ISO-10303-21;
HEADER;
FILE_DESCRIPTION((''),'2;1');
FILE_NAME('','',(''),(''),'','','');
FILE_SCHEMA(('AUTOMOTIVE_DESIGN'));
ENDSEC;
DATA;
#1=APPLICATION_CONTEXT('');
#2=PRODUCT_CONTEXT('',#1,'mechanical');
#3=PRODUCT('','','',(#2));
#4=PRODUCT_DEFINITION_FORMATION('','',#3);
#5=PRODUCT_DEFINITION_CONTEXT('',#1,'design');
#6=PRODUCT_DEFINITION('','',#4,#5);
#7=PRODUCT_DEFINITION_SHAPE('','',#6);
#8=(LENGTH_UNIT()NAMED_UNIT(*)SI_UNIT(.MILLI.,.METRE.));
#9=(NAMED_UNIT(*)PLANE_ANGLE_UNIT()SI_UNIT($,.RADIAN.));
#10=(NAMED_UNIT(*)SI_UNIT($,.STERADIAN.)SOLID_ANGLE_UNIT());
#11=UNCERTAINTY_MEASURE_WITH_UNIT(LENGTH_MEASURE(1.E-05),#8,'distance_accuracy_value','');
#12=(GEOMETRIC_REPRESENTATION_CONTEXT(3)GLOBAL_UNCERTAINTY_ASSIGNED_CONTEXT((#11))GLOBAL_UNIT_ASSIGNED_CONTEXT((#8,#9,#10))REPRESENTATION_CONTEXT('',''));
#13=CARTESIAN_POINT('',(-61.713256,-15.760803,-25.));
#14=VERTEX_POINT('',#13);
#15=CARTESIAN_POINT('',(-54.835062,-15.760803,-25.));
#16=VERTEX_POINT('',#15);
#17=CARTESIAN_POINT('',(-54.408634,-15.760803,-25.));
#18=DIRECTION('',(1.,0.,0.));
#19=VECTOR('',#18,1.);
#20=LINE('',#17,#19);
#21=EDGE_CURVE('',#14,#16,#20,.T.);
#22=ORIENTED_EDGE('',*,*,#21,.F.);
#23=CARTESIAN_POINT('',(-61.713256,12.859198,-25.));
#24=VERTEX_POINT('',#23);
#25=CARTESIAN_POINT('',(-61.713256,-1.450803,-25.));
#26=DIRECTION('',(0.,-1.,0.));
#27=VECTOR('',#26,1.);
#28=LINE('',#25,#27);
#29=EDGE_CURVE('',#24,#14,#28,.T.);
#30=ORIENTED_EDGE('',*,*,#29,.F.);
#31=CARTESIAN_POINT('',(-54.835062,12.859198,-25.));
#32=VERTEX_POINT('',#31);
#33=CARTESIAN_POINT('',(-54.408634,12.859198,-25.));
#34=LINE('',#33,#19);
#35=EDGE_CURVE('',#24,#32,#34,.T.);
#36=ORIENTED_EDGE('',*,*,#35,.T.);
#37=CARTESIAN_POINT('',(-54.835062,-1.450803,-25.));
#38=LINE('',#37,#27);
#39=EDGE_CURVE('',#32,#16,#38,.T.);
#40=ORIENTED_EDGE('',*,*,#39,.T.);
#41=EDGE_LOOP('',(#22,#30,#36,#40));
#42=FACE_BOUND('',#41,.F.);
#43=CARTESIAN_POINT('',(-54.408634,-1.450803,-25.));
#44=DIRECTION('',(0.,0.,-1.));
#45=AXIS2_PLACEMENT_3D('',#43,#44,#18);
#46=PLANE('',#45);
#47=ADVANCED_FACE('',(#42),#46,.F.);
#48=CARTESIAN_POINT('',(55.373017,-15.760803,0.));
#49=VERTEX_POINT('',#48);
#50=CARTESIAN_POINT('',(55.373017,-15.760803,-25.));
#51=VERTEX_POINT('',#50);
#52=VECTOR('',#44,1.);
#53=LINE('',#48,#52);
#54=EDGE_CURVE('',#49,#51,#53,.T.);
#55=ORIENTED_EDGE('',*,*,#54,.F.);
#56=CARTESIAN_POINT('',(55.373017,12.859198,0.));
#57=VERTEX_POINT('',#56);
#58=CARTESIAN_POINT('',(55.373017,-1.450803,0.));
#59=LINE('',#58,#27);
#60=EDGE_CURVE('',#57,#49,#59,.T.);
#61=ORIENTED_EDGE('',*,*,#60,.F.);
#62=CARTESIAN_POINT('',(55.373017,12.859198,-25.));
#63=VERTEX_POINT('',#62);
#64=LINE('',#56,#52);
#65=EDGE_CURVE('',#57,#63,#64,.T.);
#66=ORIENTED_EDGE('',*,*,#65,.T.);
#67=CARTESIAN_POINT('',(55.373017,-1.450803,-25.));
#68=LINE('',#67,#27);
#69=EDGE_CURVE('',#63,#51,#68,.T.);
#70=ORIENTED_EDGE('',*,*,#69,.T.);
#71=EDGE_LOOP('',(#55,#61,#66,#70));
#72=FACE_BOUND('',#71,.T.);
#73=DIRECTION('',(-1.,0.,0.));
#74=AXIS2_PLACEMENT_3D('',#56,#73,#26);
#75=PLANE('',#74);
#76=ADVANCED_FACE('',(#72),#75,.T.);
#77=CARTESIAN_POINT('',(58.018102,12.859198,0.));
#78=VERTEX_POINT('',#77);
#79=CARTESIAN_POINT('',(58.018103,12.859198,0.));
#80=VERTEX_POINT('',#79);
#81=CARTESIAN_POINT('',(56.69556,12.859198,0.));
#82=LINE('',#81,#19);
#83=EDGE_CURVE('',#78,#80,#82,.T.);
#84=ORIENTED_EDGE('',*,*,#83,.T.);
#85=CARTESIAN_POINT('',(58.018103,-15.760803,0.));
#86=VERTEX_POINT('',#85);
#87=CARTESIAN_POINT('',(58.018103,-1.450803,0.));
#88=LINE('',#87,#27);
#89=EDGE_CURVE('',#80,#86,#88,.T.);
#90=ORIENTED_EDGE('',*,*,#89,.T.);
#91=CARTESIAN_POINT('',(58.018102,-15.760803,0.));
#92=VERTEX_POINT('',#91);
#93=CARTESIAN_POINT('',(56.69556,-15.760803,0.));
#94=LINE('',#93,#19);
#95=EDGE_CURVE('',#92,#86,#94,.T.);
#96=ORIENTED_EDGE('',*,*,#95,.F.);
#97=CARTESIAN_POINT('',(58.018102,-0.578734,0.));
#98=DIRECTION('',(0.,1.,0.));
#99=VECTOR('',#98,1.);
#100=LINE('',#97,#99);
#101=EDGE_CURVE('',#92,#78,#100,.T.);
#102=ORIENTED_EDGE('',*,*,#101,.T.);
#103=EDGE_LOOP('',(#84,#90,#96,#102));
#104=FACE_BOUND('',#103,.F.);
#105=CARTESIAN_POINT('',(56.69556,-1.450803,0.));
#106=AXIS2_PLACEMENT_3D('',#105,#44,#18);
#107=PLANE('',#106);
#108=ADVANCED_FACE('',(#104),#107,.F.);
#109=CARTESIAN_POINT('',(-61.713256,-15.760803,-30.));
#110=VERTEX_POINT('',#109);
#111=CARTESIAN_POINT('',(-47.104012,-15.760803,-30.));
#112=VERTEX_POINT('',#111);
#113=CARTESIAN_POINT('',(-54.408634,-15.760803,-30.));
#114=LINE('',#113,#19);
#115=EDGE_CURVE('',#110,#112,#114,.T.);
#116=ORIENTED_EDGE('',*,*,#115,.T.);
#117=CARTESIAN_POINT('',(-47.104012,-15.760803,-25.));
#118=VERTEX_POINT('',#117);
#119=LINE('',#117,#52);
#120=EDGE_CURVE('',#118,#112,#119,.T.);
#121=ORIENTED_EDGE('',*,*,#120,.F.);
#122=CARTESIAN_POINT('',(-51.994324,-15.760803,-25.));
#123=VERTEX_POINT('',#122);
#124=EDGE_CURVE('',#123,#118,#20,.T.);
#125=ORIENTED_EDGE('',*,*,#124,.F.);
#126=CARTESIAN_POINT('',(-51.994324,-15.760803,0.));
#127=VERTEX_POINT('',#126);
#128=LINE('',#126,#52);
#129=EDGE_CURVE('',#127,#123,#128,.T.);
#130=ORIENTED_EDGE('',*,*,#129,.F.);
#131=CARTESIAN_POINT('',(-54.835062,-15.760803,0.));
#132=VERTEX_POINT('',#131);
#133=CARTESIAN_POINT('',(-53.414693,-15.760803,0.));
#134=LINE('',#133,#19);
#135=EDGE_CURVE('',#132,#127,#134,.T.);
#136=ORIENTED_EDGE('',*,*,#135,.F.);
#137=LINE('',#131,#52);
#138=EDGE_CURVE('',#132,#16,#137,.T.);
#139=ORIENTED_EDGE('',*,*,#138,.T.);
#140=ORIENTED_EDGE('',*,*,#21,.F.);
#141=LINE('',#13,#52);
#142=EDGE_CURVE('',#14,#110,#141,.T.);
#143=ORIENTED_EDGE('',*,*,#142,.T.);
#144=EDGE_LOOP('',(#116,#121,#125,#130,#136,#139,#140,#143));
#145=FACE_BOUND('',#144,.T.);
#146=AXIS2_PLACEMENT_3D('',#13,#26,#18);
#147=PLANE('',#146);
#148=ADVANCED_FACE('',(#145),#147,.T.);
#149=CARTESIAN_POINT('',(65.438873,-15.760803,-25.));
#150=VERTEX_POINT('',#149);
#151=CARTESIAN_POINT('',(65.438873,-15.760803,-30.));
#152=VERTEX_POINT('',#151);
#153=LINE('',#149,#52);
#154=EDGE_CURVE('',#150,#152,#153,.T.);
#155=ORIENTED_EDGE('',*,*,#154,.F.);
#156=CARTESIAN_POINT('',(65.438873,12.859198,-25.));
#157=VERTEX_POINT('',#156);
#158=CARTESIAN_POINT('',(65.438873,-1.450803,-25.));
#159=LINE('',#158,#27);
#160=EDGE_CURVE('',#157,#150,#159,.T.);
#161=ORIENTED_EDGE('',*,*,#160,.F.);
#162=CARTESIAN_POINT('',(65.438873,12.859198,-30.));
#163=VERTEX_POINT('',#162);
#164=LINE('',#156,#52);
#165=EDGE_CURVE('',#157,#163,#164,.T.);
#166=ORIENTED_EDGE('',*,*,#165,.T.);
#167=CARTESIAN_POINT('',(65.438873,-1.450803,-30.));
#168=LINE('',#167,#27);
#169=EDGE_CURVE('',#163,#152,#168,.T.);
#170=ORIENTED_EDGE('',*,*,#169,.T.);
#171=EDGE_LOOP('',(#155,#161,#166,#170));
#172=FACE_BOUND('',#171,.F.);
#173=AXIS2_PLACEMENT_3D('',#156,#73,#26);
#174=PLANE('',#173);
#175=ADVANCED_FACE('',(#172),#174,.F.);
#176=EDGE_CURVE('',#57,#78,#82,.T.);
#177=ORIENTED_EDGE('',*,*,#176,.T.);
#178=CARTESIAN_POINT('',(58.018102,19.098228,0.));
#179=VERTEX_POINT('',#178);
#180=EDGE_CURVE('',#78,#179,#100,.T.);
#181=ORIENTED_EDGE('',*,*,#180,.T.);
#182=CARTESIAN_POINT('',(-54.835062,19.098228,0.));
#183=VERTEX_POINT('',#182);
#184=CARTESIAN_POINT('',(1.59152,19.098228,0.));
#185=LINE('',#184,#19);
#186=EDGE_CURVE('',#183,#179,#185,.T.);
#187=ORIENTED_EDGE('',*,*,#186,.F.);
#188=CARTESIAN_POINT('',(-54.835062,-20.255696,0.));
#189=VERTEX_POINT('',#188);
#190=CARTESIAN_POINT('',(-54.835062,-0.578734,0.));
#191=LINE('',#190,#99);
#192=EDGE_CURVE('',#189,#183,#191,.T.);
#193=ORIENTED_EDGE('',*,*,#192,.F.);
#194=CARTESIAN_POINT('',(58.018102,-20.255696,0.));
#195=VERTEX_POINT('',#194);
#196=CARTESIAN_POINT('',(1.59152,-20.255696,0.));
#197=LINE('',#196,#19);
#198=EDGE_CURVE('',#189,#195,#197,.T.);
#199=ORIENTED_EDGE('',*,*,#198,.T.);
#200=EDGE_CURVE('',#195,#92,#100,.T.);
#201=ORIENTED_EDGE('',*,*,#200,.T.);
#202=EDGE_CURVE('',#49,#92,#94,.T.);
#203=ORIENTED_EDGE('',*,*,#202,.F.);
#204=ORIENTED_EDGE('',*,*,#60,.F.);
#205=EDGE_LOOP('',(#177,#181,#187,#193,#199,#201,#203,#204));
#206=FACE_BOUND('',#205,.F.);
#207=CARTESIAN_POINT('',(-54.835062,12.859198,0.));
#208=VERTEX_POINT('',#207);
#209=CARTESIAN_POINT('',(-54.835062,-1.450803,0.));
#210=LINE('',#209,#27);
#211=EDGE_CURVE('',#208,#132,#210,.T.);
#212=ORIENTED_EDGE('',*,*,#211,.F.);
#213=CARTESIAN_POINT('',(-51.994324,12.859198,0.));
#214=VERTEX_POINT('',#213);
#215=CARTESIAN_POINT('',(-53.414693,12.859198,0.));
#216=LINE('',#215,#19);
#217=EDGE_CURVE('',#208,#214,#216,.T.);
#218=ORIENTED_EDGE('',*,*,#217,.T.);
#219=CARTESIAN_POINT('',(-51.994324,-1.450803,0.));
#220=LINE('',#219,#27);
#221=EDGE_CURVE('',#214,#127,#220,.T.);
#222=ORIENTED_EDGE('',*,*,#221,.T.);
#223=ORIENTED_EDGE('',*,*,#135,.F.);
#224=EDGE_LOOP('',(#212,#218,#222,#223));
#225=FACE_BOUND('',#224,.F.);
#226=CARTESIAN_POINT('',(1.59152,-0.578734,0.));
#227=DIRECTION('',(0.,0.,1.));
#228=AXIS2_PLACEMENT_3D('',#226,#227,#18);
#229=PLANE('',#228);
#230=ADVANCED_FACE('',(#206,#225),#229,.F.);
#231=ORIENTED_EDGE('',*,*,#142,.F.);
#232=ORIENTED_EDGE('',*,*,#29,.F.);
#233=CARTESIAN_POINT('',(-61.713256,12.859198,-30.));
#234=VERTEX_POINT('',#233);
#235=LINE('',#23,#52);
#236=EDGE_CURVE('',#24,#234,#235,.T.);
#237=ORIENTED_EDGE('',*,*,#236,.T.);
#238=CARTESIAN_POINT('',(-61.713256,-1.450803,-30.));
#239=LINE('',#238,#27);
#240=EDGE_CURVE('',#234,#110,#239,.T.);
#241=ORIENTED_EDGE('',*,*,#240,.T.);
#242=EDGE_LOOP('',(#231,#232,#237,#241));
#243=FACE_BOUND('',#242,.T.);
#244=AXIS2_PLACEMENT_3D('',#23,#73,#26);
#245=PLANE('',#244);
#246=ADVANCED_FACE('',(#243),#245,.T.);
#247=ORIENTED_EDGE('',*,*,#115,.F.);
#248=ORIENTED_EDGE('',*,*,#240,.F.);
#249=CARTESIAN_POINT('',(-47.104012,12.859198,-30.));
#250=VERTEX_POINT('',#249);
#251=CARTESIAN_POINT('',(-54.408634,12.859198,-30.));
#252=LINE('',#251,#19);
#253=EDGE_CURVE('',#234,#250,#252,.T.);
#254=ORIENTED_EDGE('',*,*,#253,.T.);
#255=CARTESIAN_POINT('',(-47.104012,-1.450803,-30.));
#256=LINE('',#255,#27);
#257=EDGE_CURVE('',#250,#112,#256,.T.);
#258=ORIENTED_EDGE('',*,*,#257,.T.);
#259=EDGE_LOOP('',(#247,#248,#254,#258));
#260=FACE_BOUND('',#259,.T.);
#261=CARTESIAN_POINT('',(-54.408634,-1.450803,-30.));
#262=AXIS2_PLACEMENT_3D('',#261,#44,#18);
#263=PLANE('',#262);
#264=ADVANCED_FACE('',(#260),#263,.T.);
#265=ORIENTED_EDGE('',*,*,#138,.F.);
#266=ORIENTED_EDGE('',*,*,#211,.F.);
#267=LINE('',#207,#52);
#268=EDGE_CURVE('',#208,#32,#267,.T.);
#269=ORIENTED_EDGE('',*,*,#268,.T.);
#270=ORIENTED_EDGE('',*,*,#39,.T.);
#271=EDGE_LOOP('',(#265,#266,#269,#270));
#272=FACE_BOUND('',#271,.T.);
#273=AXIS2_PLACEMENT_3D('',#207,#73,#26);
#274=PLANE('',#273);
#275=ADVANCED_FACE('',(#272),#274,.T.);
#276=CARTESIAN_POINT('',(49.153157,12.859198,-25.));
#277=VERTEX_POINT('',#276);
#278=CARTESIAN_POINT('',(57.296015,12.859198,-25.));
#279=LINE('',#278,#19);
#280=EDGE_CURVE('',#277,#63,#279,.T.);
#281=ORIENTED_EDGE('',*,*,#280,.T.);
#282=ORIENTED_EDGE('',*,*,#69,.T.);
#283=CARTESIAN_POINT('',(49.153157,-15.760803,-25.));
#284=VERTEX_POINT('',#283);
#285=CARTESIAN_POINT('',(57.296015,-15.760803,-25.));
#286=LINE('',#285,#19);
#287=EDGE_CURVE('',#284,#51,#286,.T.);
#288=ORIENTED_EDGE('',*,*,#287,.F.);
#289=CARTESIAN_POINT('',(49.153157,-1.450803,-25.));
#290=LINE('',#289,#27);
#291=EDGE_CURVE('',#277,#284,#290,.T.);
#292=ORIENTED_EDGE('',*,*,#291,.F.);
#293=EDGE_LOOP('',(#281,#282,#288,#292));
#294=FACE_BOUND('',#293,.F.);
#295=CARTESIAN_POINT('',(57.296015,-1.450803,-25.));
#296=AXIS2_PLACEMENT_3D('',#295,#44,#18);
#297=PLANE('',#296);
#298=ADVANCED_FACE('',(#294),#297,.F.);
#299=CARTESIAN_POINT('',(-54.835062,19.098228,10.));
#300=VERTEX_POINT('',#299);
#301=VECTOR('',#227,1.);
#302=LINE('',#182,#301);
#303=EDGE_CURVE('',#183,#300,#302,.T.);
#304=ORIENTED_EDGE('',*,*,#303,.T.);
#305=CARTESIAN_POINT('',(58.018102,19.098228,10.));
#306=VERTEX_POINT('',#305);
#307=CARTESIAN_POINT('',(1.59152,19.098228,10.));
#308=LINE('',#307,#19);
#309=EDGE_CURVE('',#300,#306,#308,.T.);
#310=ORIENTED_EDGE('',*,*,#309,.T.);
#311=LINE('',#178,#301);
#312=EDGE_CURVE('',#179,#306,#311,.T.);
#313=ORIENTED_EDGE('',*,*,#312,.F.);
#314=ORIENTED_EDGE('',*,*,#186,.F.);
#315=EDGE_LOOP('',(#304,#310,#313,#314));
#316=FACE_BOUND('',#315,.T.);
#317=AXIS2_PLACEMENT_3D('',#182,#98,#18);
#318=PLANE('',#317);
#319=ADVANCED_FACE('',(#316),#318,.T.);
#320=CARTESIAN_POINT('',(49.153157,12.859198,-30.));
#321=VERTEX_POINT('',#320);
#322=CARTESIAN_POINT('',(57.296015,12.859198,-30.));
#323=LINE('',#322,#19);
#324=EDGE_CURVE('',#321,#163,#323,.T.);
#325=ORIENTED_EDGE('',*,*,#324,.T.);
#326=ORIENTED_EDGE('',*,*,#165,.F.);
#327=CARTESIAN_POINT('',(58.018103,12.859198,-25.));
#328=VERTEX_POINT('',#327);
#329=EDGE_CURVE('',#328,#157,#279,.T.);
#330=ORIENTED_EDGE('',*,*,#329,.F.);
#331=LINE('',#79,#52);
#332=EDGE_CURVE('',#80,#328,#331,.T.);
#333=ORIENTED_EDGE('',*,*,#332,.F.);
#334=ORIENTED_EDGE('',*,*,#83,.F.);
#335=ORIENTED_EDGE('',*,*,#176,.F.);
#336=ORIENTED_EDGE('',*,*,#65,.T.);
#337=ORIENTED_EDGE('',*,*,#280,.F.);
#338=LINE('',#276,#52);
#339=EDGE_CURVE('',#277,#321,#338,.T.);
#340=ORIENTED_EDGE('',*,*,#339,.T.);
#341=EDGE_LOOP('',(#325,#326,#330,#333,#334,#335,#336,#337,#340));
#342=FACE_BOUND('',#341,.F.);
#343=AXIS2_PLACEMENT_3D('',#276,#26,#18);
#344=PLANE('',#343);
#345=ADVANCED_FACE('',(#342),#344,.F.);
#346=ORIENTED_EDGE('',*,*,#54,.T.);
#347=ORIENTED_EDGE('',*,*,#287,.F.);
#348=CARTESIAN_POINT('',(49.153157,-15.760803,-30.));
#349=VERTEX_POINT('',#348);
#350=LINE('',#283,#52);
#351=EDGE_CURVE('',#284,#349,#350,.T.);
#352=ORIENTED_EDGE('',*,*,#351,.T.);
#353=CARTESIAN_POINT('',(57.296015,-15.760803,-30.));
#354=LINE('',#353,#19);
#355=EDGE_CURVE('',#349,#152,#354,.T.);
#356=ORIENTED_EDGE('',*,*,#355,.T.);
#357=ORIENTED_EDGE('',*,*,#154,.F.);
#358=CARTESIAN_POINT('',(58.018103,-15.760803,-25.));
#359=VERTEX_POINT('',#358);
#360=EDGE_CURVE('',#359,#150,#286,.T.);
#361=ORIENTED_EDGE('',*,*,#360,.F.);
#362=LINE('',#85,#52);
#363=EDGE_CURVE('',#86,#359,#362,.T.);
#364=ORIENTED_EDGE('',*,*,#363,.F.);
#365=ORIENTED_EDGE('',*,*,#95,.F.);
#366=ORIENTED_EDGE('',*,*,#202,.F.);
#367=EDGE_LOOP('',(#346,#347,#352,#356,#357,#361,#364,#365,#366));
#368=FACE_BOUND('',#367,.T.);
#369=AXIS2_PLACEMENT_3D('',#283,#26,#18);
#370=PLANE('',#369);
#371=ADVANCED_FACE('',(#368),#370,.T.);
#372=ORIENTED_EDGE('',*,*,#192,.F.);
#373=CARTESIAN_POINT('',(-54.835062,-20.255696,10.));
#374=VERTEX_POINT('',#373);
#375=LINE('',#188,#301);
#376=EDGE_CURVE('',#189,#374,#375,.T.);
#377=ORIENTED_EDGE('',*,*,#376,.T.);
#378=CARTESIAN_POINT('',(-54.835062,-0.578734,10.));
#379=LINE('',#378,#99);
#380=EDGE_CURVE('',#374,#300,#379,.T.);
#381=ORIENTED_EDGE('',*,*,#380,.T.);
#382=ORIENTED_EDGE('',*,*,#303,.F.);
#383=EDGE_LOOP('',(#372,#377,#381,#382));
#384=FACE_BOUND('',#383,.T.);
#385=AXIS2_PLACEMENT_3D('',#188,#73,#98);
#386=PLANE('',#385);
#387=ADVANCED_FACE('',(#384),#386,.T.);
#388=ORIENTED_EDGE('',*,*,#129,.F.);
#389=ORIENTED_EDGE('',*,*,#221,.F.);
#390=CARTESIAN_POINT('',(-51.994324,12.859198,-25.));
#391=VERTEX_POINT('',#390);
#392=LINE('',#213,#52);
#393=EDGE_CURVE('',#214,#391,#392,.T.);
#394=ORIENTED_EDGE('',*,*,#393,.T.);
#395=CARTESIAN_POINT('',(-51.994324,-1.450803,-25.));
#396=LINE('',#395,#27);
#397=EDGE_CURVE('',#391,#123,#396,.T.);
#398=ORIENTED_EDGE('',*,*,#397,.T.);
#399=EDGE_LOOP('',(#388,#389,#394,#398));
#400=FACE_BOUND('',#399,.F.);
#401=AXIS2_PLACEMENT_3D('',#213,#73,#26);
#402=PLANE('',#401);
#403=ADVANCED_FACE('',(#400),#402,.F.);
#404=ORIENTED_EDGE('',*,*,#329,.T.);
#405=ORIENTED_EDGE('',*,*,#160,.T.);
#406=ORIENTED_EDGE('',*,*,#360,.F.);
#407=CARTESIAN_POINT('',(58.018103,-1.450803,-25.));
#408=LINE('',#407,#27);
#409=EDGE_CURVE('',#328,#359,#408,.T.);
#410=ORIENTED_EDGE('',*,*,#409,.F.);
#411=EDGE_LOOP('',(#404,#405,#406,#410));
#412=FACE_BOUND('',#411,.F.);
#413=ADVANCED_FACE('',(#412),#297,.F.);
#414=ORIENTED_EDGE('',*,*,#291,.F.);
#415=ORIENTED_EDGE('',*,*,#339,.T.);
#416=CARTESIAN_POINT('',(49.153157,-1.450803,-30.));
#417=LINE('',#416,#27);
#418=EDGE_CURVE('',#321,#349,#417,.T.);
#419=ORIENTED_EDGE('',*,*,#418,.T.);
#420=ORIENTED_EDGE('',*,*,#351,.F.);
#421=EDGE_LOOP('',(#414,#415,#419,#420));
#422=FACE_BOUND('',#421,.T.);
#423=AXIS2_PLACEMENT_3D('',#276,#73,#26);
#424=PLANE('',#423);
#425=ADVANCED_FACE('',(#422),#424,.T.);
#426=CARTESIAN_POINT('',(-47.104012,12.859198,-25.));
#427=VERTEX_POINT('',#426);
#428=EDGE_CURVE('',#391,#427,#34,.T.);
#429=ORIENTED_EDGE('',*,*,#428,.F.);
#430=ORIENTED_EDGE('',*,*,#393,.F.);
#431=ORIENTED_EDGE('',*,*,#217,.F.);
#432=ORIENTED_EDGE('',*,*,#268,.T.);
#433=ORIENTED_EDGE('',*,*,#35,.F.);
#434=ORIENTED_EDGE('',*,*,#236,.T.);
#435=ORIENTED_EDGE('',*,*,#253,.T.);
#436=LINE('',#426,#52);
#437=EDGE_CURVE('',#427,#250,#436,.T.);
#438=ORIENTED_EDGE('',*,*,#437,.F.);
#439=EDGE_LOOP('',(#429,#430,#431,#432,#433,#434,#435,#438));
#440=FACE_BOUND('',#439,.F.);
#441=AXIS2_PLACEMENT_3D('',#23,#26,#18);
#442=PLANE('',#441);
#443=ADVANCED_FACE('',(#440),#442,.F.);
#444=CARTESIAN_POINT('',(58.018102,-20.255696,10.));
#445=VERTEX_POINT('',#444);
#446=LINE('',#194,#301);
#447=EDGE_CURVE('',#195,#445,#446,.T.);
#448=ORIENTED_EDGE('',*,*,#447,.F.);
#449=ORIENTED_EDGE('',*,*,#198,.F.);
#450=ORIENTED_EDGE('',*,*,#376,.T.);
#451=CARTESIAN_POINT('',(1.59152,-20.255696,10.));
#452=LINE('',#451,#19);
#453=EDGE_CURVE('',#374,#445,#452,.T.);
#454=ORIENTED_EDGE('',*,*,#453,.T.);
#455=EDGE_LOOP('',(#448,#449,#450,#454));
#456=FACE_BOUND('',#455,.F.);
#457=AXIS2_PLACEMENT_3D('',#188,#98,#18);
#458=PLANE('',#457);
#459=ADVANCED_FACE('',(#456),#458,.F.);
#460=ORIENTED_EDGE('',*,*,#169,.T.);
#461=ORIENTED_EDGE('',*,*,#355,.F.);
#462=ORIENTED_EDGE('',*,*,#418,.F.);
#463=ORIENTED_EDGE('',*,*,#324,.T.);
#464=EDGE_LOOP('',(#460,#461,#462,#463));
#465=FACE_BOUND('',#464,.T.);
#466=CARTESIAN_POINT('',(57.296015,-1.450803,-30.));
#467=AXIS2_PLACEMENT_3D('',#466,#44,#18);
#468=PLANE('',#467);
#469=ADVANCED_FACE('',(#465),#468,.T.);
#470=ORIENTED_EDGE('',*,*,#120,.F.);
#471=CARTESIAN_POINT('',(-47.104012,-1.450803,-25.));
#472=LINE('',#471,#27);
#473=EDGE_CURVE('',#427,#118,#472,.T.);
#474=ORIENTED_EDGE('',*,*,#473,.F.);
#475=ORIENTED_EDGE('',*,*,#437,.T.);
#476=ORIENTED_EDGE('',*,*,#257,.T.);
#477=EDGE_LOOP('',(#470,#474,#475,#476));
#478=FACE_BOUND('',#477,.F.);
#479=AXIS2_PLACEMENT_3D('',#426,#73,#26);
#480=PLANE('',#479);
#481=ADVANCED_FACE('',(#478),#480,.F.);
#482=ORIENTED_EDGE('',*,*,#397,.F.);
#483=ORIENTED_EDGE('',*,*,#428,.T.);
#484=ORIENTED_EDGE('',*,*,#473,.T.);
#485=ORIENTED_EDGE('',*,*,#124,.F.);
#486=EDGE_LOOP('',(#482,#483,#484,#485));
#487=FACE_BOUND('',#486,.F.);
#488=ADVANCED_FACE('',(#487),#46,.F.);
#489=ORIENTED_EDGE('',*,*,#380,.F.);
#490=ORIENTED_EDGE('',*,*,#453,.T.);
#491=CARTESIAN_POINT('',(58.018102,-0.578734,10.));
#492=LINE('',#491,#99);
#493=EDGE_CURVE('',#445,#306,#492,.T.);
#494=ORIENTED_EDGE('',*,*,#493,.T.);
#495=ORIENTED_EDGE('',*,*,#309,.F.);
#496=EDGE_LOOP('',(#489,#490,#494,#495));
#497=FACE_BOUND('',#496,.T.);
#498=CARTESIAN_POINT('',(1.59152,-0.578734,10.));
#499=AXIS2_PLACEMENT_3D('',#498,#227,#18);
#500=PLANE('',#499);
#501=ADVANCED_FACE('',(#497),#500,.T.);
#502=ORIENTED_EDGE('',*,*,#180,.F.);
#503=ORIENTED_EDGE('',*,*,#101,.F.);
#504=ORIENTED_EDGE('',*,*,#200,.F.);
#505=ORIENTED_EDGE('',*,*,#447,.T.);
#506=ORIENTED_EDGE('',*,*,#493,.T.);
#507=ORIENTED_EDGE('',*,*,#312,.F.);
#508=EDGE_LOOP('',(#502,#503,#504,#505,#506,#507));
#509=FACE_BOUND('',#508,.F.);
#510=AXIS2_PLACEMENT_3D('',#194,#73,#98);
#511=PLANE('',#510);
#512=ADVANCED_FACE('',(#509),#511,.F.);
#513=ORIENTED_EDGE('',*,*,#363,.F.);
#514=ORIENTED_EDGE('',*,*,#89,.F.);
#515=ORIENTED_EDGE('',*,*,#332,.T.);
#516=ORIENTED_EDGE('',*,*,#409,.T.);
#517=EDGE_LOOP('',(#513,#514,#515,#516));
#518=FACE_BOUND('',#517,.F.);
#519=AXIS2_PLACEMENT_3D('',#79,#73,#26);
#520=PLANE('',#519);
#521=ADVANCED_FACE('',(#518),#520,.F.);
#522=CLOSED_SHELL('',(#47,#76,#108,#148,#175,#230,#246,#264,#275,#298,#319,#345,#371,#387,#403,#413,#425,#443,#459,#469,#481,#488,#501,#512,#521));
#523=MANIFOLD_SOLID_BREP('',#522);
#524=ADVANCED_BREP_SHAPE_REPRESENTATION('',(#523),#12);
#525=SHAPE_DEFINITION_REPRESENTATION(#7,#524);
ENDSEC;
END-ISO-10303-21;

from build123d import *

# Parameters (mm, degrees)
F0_W     = 112.853165
F0_H     = 39.353924
F1_DEPTH = 10
F2_W     = 2.840738
F2_H     = 28.620001
F2_W_2   = 2.645086
F3_DEPTH = 25
F4_W     = 14.609244
F4_H     = 28.620001
F5_DEPTH = 5
F6_W     = 16.285717
F6_H     = 28.620001
F7_DEPTH = 5


with BuildPart() as f1:
    # F0 (on Top) → F1 (new body)
    with BuildSketch(Plane.XY):
        with Locations((1.59152, -0.578734)):
            Rectangle(F0_W, F0_H)
    extrude(amount=F1_DEPTH)

    # F2 (on face) → F3 (join)
    with BuildSketch(Plane(origin=(0, 0, 0), x_dir=(1, 0, 0), z_dir=(0, 0, -1))):
        with Locations((-53.414693, 1.450803)):
            Rectangle(F2_W, F2_H)
        with Locations((56.69556, 1.450803)):
            Rectangle(F2_W_2, F2_H)
    extrude(amount=F3_DEPTH)

    # F4 (on face) → F5 (join)
    with BuildSketch(Plane(origin=(0, 0, -25), x_dir=(1, 0, 0), z_dir=(0, 0, -1))):
        with Locations((-54.408634, 1.450803)):
            Rectangle(F4_W, F4_H)
    extrude(amount=F5_DEPTH)

    # F6 (on face) → F7 (join)
    with BuildSketch(Plane(origin=(0, 0, -25), x_dir=(1, 0, 0), z_dir=(0, 0, -1))):
        with Locations((57.296015, 1.450803)):
            Rectangle(F6_W, F6_H)
    extrude(amount=F7_DEPTH)


solid = f1.part
